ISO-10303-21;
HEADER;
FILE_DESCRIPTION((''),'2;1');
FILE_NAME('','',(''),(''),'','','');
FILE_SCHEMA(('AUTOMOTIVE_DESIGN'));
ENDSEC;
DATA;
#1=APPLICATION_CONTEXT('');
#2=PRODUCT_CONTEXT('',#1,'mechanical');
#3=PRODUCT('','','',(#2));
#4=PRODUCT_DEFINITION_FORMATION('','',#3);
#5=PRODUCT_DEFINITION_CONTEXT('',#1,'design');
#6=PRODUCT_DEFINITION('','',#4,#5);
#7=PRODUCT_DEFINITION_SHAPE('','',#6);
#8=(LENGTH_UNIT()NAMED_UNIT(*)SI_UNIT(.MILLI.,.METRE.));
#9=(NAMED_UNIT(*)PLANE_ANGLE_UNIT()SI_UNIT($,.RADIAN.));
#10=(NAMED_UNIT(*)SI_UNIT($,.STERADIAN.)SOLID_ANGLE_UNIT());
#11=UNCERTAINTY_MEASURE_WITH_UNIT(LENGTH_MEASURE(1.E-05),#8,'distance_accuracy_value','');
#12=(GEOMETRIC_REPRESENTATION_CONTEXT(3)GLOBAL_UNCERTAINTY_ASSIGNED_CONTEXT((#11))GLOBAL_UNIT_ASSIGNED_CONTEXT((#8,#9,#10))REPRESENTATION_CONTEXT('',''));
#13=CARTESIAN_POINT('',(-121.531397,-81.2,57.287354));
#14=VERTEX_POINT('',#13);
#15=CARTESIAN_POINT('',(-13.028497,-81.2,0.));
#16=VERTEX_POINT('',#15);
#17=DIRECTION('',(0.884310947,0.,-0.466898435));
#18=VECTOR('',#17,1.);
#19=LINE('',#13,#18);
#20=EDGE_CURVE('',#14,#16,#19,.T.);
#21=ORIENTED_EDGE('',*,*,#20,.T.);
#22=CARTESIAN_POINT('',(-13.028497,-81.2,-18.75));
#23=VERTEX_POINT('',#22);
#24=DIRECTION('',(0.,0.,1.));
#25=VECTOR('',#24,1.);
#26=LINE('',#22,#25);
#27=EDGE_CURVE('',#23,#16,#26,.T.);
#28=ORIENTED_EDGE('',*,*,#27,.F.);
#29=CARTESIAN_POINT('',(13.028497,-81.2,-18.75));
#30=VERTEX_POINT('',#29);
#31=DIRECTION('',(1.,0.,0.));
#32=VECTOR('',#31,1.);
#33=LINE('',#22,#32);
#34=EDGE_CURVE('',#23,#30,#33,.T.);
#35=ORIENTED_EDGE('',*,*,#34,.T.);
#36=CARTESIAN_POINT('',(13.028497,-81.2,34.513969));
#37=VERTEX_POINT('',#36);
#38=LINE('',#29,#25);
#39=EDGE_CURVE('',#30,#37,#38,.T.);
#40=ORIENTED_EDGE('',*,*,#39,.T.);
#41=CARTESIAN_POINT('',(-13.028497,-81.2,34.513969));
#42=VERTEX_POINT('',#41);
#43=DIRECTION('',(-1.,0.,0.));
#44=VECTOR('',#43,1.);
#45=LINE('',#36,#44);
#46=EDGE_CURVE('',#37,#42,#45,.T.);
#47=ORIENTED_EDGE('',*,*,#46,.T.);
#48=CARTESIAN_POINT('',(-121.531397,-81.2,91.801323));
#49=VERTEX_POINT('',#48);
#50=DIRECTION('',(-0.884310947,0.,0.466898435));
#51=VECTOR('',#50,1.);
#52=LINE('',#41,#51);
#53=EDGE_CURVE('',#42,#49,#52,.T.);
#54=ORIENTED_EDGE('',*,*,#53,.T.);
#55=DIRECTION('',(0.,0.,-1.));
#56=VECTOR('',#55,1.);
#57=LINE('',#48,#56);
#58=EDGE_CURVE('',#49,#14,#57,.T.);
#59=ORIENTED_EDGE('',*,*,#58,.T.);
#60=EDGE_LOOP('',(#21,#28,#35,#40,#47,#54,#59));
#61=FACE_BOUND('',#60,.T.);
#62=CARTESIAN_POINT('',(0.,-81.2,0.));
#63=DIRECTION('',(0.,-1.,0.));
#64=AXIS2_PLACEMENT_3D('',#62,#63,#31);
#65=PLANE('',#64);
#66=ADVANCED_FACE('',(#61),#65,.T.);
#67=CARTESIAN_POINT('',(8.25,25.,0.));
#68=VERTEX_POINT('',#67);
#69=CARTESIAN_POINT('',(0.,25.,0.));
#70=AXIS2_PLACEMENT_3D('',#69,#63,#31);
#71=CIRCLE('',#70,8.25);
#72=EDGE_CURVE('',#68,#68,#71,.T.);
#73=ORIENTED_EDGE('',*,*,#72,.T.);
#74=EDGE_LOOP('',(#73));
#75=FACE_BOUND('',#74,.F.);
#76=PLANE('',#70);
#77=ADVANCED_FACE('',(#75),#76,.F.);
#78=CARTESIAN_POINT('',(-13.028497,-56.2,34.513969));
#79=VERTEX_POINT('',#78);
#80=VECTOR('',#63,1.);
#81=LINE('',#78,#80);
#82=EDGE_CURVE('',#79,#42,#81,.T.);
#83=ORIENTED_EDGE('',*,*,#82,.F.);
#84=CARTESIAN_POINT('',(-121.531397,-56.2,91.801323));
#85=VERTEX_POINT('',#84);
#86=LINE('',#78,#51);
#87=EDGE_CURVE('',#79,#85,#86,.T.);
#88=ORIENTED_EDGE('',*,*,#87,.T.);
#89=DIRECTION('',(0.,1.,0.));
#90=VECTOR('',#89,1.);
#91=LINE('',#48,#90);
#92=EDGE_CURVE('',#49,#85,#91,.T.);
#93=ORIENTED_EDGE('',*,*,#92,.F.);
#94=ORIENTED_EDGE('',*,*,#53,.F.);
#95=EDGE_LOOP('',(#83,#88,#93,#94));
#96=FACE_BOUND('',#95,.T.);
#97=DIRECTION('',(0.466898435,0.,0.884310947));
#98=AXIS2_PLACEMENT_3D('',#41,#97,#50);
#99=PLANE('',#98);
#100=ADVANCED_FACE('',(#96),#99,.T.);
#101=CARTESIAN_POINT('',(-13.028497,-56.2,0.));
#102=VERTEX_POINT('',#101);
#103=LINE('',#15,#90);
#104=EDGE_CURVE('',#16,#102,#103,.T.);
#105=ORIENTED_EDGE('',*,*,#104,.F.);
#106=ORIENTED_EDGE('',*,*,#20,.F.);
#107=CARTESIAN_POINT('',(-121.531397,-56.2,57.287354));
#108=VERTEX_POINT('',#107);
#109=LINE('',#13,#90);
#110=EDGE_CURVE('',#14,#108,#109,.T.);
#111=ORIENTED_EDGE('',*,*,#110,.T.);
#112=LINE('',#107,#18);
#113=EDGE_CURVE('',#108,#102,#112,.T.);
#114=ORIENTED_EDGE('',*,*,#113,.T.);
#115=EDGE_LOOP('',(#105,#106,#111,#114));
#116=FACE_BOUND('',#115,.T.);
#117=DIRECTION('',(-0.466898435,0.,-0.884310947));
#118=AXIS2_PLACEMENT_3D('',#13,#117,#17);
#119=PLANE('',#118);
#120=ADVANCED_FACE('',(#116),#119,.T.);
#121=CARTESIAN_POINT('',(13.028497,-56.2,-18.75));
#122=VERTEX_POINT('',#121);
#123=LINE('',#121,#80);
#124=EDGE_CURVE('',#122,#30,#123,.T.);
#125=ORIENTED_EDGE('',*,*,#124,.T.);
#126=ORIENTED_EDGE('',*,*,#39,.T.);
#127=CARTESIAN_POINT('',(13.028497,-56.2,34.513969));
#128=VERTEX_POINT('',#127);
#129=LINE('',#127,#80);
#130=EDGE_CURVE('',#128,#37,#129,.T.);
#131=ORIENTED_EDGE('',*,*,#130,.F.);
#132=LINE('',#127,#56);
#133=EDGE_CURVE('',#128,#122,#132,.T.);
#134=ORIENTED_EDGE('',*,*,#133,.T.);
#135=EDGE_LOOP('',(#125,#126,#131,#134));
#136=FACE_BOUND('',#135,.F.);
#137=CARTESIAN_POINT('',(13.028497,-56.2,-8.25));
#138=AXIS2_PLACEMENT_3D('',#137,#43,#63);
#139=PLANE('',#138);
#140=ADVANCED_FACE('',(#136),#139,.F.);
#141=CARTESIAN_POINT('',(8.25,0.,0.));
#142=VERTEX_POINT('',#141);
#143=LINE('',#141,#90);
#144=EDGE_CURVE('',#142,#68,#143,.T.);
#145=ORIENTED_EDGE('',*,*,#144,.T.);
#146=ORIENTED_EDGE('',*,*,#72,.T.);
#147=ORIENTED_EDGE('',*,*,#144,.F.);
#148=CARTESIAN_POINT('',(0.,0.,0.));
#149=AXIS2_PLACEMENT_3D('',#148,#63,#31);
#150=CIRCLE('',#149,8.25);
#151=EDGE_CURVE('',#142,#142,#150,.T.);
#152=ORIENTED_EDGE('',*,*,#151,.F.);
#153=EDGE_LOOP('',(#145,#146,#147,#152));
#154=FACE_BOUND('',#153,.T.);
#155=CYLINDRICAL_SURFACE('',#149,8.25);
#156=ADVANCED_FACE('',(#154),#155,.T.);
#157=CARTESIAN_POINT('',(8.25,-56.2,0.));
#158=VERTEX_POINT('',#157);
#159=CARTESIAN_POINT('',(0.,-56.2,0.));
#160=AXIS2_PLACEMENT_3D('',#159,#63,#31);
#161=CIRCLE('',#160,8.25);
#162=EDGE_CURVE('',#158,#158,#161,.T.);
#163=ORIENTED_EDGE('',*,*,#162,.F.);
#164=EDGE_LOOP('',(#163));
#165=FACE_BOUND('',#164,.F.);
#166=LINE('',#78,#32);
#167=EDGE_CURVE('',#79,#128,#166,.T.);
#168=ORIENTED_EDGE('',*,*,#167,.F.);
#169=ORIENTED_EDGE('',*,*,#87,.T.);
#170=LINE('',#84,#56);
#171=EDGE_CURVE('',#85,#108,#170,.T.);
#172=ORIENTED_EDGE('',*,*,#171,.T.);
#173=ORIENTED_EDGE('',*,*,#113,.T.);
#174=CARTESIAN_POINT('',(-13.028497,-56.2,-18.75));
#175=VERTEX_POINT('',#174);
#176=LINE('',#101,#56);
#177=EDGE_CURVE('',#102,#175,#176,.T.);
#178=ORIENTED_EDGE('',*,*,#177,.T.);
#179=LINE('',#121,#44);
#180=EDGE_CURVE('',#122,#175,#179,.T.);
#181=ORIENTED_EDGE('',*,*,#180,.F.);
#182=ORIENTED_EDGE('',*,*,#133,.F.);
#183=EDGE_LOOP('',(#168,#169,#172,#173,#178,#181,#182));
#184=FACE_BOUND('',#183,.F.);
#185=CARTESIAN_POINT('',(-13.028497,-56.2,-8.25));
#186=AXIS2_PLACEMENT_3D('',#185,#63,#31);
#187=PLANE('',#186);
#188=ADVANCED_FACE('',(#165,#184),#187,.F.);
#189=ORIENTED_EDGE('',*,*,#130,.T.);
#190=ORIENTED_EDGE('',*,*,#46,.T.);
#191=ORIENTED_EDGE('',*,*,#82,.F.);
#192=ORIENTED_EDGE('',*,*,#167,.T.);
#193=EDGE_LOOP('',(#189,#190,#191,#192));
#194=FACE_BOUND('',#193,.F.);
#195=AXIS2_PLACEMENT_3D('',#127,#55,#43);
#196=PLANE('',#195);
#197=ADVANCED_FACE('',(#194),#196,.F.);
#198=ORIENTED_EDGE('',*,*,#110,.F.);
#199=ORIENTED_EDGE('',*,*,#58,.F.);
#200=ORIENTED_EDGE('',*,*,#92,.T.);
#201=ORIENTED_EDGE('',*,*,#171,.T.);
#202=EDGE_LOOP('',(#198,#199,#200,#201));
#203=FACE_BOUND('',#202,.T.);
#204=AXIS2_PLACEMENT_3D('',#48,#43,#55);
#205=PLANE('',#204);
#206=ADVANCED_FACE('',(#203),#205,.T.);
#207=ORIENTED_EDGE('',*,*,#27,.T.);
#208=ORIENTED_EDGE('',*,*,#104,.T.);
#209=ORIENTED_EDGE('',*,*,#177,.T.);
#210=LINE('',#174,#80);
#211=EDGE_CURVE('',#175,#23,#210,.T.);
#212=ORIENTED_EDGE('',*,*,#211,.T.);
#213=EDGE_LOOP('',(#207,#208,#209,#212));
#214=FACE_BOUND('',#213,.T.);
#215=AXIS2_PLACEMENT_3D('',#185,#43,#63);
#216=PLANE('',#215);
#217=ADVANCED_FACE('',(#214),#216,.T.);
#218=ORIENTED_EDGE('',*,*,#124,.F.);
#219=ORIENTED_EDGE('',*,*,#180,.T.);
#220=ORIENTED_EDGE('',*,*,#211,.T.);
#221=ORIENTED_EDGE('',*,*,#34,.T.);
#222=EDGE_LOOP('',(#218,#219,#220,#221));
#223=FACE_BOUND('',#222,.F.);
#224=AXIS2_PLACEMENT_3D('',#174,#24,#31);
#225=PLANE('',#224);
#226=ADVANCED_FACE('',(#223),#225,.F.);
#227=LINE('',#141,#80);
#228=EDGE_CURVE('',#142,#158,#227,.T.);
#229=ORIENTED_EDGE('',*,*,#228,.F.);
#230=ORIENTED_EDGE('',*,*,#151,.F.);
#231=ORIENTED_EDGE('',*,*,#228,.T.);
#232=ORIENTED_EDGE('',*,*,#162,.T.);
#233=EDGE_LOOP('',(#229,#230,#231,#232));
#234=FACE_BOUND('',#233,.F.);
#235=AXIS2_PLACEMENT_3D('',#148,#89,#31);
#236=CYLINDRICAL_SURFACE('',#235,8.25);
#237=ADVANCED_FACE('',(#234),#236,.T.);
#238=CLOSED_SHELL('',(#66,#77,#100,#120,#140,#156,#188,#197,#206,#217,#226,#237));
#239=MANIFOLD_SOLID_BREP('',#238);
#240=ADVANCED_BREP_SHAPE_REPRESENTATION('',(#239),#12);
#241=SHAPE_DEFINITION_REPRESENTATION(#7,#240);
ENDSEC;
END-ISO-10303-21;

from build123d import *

# Parameters (mm, degrees)
F0_R     = 8.25
F1_DEPTH = 56.2
F3_DEPTH = 25
F4_DEPTH = 25
F6_DEPTH = 25
F7_DEPTH = 10.5
F8_DEPTH = 25
F9_DEPTH = 25


with BuildPart() as f1:
    # F0 (on Front) → F1 (new body)
    with BuildSketch(Plane.XZ):
        Circle(F0_R)
    extrude(amount=F1_DEPTH)

    # F2 (on face) → F3 (join)
    with BuildSketch(Plane.XZ.offset(56.2)):
        with BuildLine():
            Line((-13.0284968764, -8.25), (0, -8.25))
            ThreePointArc((0, -8.25), (-8.25, 0), (0, 8.25))
            Line((0, 8.25), (0, 34.5139689744))
            Line((0, 34.5139689744), (-13.0284968764, 34.5139689744))
            Line((-13.0284968764, 34.5139689744), (-13.0284968764, -8.25))
        make_face()
    extrude(amount=F3_DEPTH)

    # F2 (on face) → F4 (join)
    with BuildSketch(Plane.XZ.offset(56.2)):
        with BuildLine():
            ThreePointArc((8.25, 0), (5.8336309448, -5.8336309448), (0, -8.25))
            Line((0, -8.25), (13.0284968764, -8.25))
            Line((13.0284968764, -8.25), (13.0284968764, 34.5139689744))
            Line((13.0284968764, 34.5139689744), (0, 34.5139689744))
            Line((0, 34.5139689744), (0, 8.25))
            ThreePointArc((0, 8.25), (5.8336309448, 5.8336309448), (8.25, 0))
        make_face()
    extrude(amount=F4_DEPTH)

    # F5 (on face) → F6 (join)
    with BuildSketch(Plane.XZ.offset(81.2)):
        Polygon((-13.0284968764, 0), (-13.0284968764, 34.5139689744), (-121.5313971043, 91.8013229966), (-121.5313971043, 57.2873540223), align=None)
    extrude(amount=-F6_DEPTH)

    # F7 (add): faces of the model
    f7_faces = [f1.faces().sort_by_distance(p)[0] for p in [
        (-6.5142484382, -68.7, -8.25),
        (6.5142484382, -68.7, -8.25),
    ]]
    extrude(f7_faces, amount=F7_DEPTH)

    # F8 (add): a face of the model
    f8_faces = [f1.faces().sort_by_distance(p)[0] for p in [
        (0, -56.2, 0),
    ]]
    extrude(f8_faces, amount=F8_DEPTH)

    # F9 (add): a face of the model
    f9_faces = [f1.faces().sort_by_distance(p)[0] for p in [
        (0, 0, 0),
    ]]
    extrude(f9_faces, amount=F9_DEPTH)


solid = f1.part
